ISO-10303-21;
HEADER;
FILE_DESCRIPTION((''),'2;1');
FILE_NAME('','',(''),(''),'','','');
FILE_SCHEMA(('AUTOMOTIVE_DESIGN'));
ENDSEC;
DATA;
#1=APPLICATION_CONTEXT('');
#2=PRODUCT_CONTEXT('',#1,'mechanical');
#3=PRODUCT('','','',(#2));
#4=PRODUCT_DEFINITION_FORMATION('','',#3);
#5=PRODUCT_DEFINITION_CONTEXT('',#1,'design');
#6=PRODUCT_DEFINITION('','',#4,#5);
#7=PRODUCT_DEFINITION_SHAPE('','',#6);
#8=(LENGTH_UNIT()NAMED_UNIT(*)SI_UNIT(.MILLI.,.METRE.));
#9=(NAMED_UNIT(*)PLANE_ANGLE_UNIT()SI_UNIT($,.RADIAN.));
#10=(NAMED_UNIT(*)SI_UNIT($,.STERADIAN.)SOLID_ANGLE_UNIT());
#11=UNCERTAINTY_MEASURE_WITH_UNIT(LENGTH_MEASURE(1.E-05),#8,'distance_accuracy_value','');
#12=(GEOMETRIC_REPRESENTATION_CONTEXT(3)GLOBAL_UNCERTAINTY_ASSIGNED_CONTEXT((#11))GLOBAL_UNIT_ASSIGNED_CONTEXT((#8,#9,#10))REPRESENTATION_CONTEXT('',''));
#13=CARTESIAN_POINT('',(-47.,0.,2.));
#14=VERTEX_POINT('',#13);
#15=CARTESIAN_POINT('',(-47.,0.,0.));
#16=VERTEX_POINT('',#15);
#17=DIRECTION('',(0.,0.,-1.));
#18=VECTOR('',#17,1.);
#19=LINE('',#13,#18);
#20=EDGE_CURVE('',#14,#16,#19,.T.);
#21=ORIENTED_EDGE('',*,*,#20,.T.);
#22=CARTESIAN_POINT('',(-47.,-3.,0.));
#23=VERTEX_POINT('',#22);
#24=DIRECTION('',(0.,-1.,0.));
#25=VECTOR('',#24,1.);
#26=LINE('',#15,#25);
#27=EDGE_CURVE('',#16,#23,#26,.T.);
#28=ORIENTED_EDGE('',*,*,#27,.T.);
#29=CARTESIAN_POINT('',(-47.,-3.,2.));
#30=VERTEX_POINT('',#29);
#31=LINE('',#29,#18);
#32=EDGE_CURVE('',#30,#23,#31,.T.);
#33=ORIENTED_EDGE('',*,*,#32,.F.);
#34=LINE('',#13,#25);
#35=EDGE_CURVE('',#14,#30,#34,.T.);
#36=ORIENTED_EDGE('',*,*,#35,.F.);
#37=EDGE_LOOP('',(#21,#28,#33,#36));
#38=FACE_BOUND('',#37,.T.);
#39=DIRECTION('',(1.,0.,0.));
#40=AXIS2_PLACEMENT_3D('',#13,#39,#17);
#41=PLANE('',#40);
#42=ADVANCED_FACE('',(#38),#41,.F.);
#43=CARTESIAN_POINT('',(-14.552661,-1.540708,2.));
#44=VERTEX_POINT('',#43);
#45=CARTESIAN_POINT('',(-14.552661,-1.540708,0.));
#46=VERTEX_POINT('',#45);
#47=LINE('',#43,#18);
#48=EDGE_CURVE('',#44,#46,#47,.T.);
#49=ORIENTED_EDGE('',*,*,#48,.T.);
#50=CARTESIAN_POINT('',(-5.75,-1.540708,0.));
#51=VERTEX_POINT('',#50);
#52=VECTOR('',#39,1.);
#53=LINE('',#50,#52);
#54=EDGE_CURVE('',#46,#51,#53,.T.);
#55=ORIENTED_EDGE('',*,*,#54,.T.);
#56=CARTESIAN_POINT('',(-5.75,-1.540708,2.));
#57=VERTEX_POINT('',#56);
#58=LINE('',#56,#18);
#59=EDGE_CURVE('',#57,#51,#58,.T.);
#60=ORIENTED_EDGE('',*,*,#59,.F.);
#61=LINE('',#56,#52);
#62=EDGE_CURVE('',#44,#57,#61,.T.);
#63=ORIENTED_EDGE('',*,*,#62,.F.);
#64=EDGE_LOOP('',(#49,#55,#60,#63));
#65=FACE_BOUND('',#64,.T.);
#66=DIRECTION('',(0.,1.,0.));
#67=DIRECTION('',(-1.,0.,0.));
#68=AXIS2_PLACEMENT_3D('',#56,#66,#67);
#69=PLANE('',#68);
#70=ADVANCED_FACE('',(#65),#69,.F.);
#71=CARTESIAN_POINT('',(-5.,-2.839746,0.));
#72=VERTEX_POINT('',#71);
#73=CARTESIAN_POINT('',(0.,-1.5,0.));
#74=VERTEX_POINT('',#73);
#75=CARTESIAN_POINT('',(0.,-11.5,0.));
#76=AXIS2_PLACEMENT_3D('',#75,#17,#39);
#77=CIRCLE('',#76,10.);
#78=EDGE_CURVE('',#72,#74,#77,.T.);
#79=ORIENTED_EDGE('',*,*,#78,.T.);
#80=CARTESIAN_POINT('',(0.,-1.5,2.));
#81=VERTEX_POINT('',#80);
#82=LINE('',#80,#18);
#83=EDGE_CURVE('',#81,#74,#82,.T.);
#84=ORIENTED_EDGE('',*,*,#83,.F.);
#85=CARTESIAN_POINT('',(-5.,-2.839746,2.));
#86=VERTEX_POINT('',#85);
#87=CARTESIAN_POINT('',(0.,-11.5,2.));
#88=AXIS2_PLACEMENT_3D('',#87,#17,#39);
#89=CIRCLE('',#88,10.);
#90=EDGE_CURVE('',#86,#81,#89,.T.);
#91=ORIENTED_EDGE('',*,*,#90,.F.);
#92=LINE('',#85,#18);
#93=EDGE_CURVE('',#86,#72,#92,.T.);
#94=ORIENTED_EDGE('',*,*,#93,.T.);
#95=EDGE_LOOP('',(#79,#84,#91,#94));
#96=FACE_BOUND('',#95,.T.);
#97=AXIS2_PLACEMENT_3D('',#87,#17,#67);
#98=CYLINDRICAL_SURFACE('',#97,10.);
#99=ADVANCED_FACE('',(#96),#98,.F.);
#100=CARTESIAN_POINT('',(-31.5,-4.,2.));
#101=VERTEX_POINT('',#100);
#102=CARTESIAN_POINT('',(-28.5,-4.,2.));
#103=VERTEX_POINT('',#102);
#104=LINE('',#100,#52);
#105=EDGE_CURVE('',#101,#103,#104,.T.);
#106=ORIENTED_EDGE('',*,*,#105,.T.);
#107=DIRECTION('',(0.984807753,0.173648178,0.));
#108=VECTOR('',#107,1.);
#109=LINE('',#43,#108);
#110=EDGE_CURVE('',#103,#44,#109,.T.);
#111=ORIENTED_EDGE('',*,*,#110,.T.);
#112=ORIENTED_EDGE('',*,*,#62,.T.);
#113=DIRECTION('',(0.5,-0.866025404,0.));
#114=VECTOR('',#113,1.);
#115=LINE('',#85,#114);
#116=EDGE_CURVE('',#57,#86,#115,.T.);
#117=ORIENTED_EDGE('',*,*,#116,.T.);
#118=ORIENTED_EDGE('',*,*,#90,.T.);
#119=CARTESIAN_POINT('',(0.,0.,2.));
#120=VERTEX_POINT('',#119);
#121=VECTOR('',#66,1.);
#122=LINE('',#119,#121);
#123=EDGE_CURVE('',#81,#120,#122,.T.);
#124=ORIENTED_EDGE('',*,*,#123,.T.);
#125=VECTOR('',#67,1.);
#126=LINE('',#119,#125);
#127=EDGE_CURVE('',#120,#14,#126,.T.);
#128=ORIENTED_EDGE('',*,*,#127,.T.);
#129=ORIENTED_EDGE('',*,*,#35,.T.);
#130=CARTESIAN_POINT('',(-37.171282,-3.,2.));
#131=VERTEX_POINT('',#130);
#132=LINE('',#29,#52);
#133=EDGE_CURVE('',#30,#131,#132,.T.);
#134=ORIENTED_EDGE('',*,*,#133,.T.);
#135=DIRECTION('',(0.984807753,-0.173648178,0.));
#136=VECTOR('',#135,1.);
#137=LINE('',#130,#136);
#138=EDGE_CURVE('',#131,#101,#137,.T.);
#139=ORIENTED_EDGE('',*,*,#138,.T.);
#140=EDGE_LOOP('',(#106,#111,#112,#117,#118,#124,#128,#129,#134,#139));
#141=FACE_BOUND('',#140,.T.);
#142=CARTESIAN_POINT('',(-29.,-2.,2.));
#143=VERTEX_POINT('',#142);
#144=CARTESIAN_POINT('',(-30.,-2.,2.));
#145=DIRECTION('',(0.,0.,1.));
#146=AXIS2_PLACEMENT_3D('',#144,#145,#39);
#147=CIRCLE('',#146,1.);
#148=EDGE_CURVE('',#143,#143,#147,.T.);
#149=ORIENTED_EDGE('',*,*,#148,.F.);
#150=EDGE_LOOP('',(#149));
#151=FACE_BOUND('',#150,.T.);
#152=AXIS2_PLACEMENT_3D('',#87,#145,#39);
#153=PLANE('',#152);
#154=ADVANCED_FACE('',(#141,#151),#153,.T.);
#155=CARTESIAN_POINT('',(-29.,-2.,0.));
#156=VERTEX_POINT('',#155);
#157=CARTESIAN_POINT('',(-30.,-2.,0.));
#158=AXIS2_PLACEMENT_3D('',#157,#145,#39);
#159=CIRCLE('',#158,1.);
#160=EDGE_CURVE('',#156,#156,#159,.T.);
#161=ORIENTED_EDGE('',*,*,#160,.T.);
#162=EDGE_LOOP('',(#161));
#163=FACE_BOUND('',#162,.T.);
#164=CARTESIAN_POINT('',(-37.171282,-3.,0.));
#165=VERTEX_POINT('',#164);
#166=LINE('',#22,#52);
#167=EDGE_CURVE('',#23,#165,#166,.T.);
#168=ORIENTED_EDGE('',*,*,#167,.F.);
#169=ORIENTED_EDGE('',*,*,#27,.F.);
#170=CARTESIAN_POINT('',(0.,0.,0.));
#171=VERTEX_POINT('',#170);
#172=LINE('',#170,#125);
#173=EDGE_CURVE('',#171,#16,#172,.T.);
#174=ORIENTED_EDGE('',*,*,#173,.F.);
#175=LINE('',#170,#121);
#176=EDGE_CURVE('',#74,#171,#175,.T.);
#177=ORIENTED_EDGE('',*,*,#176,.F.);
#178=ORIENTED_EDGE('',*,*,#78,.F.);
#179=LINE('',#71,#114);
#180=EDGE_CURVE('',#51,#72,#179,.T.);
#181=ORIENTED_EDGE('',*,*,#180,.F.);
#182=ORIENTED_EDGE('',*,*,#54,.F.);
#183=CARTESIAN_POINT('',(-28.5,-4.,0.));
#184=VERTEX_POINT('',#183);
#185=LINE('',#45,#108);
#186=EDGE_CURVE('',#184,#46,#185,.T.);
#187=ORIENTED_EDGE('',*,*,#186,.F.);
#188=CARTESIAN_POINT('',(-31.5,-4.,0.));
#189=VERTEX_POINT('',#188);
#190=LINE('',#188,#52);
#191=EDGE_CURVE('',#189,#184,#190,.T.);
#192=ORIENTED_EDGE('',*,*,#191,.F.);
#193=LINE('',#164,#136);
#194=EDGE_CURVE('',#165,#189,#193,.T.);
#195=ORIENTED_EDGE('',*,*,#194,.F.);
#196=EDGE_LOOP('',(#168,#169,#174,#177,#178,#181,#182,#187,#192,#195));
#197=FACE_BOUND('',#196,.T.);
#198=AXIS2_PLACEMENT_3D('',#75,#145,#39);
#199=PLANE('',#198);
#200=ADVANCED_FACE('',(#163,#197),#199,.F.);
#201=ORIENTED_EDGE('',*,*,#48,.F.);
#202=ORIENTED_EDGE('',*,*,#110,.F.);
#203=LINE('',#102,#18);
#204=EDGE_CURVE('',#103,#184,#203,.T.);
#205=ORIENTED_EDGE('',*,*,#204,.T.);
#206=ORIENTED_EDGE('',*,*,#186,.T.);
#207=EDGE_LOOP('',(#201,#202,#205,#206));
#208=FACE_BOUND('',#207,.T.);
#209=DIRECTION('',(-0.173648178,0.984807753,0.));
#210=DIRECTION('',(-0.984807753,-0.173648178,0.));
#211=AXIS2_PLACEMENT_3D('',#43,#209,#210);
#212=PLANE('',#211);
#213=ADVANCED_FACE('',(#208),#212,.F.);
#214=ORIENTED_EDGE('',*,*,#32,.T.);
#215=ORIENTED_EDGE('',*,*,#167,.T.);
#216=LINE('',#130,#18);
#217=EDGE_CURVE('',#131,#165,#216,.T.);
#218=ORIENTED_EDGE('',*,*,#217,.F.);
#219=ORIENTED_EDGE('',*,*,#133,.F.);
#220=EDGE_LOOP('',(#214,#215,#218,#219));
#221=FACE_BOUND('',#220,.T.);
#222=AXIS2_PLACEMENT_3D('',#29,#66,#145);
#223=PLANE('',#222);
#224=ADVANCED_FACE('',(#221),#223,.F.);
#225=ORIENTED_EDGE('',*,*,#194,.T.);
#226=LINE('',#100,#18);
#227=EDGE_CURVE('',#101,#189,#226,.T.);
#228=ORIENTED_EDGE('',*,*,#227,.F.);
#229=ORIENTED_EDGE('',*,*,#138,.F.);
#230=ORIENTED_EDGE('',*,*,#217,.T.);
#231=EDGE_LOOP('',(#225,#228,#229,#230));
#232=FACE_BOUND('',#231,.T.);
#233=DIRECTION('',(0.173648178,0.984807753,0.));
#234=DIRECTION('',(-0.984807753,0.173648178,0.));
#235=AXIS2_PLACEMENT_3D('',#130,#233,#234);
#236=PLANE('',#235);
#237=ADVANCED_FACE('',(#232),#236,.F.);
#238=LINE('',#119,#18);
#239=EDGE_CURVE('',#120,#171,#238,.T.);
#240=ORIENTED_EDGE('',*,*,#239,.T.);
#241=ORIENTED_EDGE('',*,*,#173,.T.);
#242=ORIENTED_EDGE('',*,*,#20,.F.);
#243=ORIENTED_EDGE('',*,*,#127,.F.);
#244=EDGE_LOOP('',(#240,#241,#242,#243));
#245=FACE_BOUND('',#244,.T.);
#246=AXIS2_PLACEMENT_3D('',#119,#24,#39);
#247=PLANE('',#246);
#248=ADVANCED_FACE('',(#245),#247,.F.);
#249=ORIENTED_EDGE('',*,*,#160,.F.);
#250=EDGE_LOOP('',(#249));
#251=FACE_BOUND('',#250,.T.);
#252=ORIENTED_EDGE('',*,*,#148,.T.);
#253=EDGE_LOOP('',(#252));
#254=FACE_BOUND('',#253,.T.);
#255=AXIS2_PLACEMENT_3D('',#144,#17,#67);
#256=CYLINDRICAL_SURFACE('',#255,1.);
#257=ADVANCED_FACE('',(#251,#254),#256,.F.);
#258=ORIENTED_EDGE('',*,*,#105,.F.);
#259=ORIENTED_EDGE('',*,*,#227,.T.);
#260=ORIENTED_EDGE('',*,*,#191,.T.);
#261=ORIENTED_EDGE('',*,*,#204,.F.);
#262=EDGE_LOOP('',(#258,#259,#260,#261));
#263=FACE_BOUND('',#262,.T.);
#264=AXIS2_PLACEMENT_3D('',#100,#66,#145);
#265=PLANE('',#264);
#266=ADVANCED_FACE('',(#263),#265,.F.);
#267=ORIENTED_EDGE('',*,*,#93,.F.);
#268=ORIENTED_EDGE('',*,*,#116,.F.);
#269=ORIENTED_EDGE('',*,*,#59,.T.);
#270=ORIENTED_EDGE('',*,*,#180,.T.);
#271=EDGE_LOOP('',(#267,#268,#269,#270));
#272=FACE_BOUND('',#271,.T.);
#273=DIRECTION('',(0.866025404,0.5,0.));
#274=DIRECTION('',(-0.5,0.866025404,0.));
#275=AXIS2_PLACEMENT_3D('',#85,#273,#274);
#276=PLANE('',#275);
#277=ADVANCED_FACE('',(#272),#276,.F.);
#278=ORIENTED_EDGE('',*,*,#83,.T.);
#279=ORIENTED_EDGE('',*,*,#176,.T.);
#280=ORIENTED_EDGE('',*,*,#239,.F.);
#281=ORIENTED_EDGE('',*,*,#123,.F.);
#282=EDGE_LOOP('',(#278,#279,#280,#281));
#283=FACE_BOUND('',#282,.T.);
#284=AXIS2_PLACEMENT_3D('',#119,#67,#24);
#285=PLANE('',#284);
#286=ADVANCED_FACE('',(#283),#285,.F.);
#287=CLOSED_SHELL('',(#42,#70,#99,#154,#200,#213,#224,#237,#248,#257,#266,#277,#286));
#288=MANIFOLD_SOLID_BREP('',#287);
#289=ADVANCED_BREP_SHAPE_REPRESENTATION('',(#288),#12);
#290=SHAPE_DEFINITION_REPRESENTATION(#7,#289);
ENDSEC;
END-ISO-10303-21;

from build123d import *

# Parameters (mm, degrees)
SKICA1_R                = 1
P_IDAT_VYSUNUT_M1_DEPTH = 2


with BuildPart() as part:
    # Skica1 → Přidat vysunutím1 (new body)
    with BuildSketch(Plane.XY):
        with BuildLine():
            Line((0, 0), (0, -1.5))
            ThreePointArc((0, -1.5), (-2.588190451, -1.840741737), (-5, -2.839745962))
            Line((-5, -2.839745962), (-5.75, -1.540707856))
            Line((-5.75, -1.540707856), (-14.552661177, -1.540707856))
            Line((-14.552661177, -1.540707856), (-28.5, -4))
            Line((-28.5, -4), (-31.5, -4))
            Line((-31.5, -4), (-37.17128182, -3))
            Line((-37.17128182, -3), (-47, -3))
            Line((-47, -3), (-47, 0))
            Line((-47, 0), (0, 0))
        make_face()
        with Locations((-30, -2)):
            Circle(SKICA1_R, mode=Mode.SUBTRACT)
    extrude(amount=P_IDAT_VYSUNUT_M1_DEPTH)


solid = part.part
